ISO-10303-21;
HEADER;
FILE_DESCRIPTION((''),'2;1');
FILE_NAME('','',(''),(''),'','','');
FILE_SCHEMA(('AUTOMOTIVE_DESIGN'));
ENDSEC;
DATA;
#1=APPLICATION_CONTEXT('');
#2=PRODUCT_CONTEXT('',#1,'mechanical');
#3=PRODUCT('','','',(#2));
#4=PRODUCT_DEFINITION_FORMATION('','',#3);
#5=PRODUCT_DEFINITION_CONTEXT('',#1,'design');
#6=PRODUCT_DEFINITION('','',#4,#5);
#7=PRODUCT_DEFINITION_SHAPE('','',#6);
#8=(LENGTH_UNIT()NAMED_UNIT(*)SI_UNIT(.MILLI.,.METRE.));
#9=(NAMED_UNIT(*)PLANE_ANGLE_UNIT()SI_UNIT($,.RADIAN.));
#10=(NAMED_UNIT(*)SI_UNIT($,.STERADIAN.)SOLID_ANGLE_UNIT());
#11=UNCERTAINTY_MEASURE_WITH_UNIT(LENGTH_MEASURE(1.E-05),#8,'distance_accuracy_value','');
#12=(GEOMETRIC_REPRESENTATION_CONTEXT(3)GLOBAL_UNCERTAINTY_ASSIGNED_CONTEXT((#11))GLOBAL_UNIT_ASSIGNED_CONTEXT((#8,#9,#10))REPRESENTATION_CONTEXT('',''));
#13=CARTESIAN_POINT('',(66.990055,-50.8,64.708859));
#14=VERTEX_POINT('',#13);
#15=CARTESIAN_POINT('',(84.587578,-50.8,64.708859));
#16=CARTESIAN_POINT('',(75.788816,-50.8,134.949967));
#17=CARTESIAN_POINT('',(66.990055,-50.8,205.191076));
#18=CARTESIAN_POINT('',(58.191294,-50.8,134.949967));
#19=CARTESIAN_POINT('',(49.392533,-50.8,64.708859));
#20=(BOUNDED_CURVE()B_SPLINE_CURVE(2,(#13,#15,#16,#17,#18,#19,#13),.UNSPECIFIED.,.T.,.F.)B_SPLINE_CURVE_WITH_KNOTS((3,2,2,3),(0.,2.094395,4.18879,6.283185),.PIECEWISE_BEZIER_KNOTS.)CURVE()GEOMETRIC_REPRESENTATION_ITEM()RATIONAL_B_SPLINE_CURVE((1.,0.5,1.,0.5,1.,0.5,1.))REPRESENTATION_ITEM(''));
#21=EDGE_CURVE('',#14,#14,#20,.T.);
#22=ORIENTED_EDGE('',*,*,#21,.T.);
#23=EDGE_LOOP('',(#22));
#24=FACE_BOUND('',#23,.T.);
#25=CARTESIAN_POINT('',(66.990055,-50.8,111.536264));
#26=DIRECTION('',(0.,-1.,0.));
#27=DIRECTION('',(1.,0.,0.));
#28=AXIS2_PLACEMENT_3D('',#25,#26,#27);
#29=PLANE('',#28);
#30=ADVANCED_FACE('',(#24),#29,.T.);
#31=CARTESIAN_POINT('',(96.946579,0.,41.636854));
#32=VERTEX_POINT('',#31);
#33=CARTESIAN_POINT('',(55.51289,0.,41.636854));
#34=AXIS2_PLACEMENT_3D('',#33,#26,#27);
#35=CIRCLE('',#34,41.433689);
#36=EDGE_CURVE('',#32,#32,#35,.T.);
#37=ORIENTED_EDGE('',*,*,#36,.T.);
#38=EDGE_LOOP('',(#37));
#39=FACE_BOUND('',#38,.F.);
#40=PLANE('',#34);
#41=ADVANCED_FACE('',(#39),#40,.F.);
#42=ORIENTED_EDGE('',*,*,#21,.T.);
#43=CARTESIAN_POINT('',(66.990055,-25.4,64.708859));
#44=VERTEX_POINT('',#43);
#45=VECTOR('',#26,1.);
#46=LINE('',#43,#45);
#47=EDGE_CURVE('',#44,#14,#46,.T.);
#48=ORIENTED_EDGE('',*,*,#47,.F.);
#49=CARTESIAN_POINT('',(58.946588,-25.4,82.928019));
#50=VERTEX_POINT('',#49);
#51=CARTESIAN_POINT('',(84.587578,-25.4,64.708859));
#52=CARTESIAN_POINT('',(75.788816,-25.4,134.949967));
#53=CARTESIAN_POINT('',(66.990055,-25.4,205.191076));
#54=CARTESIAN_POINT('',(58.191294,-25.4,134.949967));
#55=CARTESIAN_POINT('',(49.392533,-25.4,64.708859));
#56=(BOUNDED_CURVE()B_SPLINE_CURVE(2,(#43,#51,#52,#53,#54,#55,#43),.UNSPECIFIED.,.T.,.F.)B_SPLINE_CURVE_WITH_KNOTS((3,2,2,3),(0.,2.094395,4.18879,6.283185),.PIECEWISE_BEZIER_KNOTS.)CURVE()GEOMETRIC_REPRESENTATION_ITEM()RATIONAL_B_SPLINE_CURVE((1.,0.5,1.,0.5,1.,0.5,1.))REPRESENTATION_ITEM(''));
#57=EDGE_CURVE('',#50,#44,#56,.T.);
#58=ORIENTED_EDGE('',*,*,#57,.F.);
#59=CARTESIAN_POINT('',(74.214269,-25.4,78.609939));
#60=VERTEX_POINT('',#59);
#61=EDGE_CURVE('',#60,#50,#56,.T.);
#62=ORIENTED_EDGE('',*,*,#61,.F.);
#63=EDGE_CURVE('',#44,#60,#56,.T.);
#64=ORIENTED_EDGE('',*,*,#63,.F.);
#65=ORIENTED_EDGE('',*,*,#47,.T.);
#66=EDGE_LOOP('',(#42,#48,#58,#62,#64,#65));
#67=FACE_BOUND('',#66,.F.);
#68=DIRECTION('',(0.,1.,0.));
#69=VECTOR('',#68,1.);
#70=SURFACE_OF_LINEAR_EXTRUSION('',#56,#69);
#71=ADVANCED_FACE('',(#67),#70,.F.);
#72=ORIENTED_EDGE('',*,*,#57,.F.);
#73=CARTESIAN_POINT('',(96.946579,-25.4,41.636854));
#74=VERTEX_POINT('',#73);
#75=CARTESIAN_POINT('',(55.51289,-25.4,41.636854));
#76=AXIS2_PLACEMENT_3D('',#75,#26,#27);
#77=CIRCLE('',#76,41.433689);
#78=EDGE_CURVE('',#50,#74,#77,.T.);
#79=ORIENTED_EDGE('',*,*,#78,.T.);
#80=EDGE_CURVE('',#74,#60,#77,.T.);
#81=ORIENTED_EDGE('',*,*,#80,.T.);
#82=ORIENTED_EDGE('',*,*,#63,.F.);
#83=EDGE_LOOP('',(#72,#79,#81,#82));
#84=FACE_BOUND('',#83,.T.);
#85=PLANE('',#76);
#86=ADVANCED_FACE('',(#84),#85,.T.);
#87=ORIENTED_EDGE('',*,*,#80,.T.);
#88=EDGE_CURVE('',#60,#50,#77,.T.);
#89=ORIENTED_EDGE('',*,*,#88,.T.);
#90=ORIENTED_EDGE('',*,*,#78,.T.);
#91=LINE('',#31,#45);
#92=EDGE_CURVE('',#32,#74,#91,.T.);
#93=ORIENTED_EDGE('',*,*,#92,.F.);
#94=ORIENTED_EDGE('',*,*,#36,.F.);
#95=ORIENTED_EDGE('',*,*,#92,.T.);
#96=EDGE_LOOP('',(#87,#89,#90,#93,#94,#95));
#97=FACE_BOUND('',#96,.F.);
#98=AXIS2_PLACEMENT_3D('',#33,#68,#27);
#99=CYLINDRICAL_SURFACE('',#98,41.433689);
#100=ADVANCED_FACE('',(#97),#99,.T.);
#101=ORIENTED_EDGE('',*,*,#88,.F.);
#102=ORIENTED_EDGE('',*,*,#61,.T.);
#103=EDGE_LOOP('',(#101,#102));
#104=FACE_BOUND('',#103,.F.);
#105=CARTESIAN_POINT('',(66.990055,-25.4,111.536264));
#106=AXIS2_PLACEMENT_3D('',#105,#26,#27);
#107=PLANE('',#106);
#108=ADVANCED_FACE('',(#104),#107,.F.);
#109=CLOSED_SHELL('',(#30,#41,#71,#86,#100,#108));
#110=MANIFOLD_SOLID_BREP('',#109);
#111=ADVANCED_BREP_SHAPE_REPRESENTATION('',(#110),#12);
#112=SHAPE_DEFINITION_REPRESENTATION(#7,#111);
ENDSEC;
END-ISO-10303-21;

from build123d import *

# Parameters (mm, degrees)
F0_R     = 41.433689
F1_DEPTH = 25.4
F3_DEPTH = 25.4


with BuildPart() as f1:
    # F0 (on Front) → F1 (new body)
    with BuildSketch(Plane.XZ):
        with Locations((55.51289, 41.636854)):
            Circle(F0_R)
    extrude(amount=F1_DEPTH)

    # F2 (on face) → F3 (join)
    with BuildSketch(Plane.XZ.offset(25.4)):
        with BuildLine():
            add(Edge.make_bspline(
                [(66.990055, 64.708859), (84.587578, 64.708859), (75.788816, 134.949967), (66.990055, 205.191076), (58.191294, 134.949967), (49.392533, 64.708859), (66.990055, 64.708859)],
                knots=[0, 0, 0, 2.094395, 2.094395, 4.18879, 4.18879, 6.283185, 6.283185, 6.283185], degree=2, weights=[1, 0.5, 1, 0.5, 1, 0.5, 1]))
        make_face()
    extrude(amount=F3_DEPTH)


solid = f1.part
